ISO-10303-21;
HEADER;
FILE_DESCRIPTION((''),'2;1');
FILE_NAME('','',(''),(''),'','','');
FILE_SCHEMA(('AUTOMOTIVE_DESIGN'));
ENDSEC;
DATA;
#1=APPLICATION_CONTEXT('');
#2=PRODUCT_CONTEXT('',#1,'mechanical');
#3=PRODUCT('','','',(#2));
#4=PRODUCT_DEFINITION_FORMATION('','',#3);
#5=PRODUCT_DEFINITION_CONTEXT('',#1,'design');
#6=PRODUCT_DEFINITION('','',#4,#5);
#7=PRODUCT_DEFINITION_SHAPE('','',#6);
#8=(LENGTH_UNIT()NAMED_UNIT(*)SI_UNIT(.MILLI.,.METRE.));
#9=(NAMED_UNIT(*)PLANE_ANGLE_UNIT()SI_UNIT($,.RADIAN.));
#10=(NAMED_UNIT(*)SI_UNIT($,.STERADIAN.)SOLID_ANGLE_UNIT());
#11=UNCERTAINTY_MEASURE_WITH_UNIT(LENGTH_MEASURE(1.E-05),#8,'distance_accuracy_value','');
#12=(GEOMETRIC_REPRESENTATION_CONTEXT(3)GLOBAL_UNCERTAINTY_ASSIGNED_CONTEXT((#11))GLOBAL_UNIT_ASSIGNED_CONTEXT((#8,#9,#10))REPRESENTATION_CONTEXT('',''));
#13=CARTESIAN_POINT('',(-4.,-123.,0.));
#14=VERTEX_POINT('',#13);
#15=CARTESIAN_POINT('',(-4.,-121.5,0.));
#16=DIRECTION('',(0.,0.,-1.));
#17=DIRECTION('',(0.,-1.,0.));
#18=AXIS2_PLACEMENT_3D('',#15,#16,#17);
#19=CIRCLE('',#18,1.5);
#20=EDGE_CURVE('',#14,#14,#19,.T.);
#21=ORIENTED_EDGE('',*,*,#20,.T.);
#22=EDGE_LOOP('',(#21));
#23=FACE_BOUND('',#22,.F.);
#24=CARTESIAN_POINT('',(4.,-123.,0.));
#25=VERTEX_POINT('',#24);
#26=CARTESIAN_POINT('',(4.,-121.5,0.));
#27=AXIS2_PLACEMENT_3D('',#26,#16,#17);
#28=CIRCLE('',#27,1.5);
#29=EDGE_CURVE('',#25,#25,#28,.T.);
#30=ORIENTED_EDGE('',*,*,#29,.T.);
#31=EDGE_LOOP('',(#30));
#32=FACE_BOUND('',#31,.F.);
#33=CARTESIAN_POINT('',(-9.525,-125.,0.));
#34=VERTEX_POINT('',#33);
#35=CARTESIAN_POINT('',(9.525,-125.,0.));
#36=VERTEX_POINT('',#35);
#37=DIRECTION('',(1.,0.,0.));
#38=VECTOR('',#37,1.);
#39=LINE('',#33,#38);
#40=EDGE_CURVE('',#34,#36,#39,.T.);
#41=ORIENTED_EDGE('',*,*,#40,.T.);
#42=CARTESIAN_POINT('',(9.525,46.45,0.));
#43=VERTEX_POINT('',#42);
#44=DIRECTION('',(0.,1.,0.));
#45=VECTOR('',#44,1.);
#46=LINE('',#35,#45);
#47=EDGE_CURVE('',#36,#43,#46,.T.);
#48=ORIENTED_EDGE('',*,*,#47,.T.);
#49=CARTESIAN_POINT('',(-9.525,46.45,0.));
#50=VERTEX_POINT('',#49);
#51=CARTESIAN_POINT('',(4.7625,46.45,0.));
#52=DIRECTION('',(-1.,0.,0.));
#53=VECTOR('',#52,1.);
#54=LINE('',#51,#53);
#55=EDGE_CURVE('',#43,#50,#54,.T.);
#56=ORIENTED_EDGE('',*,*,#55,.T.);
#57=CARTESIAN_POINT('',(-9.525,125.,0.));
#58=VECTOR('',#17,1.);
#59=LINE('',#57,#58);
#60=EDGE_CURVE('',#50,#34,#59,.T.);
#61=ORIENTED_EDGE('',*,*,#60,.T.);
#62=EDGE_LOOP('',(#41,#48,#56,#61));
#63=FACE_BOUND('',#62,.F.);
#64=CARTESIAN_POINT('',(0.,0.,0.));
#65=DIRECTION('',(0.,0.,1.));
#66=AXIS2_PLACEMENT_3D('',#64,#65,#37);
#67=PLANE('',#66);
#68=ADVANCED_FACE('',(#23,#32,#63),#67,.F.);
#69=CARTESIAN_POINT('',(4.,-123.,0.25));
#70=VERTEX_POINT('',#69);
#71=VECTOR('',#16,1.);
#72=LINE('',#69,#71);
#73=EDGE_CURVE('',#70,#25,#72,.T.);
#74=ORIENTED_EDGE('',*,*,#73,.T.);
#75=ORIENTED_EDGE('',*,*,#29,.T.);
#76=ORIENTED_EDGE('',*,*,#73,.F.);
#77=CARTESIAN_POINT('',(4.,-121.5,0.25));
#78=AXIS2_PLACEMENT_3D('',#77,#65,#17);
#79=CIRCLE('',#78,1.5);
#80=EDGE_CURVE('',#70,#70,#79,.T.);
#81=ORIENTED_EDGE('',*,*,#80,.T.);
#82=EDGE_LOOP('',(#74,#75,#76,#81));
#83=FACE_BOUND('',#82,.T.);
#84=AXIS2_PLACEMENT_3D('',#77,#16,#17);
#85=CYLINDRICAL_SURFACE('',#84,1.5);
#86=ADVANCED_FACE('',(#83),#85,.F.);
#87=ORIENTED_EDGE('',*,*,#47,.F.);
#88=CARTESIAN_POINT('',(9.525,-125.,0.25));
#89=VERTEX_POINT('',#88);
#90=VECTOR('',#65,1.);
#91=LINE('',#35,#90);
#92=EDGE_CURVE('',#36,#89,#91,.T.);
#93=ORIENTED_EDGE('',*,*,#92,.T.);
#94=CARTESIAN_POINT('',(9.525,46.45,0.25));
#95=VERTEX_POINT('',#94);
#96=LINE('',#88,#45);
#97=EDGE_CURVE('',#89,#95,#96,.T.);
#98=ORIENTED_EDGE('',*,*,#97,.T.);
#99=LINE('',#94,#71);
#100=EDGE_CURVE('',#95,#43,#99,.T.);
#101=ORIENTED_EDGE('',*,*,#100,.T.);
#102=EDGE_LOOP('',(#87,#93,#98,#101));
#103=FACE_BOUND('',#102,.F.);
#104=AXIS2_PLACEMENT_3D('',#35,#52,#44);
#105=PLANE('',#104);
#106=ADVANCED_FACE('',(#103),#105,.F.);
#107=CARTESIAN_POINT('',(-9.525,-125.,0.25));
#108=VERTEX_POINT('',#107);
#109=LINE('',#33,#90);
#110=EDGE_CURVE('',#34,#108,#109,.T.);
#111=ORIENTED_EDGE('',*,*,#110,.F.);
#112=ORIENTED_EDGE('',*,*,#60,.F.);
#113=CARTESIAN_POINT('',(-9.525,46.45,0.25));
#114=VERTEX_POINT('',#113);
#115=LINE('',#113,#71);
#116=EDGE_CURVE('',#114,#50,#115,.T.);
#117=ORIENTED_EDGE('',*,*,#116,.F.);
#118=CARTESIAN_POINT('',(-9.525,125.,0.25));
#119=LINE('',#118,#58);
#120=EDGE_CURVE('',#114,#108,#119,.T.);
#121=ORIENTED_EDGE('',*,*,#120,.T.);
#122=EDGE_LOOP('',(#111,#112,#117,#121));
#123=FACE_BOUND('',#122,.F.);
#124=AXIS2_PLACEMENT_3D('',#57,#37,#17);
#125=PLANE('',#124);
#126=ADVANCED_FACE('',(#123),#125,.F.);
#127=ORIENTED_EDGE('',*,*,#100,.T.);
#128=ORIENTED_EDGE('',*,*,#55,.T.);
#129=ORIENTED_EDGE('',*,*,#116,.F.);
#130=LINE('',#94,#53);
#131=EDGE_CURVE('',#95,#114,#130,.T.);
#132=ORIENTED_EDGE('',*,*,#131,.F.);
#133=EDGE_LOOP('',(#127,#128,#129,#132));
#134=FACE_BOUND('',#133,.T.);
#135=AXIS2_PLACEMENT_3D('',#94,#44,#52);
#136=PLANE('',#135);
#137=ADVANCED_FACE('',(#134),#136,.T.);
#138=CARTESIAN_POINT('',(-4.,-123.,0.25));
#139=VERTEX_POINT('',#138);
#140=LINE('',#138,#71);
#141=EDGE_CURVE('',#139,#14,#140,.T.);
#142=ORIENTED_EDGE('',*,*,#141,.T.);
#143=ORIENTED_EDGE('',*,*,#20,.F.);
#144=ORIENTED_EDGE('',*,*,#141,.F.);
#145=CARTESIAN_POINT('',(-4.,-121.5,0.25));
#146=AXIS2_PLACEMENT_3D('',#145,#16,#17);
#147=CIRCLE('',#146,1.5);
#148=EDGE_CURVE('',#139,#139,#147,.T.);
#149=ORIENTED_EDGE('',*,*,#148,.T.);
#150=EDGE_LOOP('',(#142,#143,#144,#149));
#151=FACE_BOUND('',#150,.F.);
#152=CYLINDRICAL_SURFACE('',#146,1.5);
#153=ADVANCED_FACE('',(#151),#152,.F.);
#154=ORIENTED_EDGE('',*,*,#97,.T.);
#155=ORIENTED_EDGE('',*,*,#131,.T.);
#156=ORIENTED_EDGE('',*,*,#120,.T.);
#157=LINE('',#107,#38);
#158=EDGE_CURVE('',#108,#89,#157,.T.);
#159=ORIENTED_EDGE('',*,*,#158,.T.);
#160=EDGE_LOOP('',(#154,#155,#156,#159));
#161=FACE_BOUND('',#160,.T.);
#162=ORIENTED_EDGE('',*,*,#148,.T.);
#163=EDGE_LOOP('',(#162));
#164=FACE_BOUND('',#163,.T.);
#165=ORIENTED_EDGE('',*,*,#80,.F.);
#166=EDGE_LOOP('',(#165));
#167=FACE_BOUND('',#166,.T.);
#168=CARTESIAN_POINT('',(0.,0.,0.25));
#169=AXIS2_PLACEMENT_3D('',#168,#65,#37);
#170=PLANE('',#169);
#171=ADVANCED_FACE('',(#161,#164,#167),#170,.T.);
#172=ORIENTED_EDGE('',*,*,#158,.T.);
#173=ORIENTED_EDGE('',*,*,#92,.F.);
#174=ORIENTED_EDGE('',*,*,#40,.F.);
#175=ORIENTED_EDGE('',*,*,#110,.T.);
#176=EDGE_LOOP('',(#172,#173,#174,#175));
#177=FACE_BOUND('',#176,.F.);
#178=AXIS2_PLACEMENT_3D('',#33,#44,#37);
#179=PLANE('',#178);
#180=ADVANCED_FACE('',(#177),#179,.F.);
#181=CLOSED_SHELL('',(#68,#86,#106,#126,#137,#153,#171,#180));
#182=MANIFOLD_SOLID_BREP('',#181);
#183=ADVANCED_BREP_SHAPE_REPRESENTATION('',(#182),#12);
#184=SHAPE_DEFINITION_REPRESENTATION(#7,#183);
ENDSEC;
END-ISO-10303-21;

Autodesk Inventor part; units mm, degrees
ref_plane "YZ Plane" through (0, 0, 0) normal (1, 0, 0) x (0, 1, 0)
ref_plane "XZ Plane" through (0, 0, 0) normal (0, 1, 0) x (-1, 0, 0)
ref_plane "XY Plane" through (0, 0, 0) normal (0, 0, 1) x (1, 0, 0)
sketch "Sketch1" plane through (0, 0, 0) normal (0, 0, 1) x (1, 0, 0)
  line L0 (-9.525, -125) -> (9.525, -125)
  line L1 (9.525, -125) -> (9.525, 125)
  line L2 (9.525, 125) -> (-9.525, 125)
  line L3 (-9.525, 125) -> (-9.525, -125)
  point P0 (0, 0)
  point P1 (0, -125)
  point P2 (9.525, 0)
  dimension "d0" = 19.05
  dimension "d1" = 250
extrude "Extrusion1" add sketch "Sketch1" along normal blind 0.25
sketch "Sketch3" plane through (0, 0, 0.25) normal (0, 0, 1) x (1, 0, 0)
  line L0 (-9.525, 125) -> (-9.525, -125) projected
  line L1 (9.525, -125) -> (9.525, 125) projected
  line L2 (9.525, -125) -> (9.525, -122.36)
  line L3 (-9.525, -122.36) -> (-9.525, -125)
  line L4 (0, -125) -> (-4, -125) construction
  line L5 (-4, -125) -> (-4, -121.5) construction
  point P0 (0, 0)
  dimension "d18" = 4
  dimension "d19" = 3.5
hole "Hole2" at (-4, -121.5, 0.25) direction (0, 0, -1) diameter 3 end through all
mirror "Mirror1" about plane through (0, 0, 0) normal (1, 0, 0) of "Hole2"
sketch "Sketch4" plane through (0, 0, 0.25) normal (0, 0, 1) x (1, 0, 0)
  line L0 (-9.525, 125) -> (-9.525, -125) projected
  line L1 (9.525, -125) -> (9.525, 125) projected
  line L2 (-9.525, -125) -> (9.525, -125)
  line L3 (9.525, -125) -> (9.525, 46.45)
  line L4 (9.525, 46.45) -> (-9.525, 46.45)
  line L5 (-9.525, 46.45) -> (-9.525, -125)
  point P0 (0, 0)
  dimension "d27" = 171.45
extrude "Extrusion2" cut sketch "Sketch4" against normal blind 10 keep common part
properties part number "tape" material "Stainless Steel"
